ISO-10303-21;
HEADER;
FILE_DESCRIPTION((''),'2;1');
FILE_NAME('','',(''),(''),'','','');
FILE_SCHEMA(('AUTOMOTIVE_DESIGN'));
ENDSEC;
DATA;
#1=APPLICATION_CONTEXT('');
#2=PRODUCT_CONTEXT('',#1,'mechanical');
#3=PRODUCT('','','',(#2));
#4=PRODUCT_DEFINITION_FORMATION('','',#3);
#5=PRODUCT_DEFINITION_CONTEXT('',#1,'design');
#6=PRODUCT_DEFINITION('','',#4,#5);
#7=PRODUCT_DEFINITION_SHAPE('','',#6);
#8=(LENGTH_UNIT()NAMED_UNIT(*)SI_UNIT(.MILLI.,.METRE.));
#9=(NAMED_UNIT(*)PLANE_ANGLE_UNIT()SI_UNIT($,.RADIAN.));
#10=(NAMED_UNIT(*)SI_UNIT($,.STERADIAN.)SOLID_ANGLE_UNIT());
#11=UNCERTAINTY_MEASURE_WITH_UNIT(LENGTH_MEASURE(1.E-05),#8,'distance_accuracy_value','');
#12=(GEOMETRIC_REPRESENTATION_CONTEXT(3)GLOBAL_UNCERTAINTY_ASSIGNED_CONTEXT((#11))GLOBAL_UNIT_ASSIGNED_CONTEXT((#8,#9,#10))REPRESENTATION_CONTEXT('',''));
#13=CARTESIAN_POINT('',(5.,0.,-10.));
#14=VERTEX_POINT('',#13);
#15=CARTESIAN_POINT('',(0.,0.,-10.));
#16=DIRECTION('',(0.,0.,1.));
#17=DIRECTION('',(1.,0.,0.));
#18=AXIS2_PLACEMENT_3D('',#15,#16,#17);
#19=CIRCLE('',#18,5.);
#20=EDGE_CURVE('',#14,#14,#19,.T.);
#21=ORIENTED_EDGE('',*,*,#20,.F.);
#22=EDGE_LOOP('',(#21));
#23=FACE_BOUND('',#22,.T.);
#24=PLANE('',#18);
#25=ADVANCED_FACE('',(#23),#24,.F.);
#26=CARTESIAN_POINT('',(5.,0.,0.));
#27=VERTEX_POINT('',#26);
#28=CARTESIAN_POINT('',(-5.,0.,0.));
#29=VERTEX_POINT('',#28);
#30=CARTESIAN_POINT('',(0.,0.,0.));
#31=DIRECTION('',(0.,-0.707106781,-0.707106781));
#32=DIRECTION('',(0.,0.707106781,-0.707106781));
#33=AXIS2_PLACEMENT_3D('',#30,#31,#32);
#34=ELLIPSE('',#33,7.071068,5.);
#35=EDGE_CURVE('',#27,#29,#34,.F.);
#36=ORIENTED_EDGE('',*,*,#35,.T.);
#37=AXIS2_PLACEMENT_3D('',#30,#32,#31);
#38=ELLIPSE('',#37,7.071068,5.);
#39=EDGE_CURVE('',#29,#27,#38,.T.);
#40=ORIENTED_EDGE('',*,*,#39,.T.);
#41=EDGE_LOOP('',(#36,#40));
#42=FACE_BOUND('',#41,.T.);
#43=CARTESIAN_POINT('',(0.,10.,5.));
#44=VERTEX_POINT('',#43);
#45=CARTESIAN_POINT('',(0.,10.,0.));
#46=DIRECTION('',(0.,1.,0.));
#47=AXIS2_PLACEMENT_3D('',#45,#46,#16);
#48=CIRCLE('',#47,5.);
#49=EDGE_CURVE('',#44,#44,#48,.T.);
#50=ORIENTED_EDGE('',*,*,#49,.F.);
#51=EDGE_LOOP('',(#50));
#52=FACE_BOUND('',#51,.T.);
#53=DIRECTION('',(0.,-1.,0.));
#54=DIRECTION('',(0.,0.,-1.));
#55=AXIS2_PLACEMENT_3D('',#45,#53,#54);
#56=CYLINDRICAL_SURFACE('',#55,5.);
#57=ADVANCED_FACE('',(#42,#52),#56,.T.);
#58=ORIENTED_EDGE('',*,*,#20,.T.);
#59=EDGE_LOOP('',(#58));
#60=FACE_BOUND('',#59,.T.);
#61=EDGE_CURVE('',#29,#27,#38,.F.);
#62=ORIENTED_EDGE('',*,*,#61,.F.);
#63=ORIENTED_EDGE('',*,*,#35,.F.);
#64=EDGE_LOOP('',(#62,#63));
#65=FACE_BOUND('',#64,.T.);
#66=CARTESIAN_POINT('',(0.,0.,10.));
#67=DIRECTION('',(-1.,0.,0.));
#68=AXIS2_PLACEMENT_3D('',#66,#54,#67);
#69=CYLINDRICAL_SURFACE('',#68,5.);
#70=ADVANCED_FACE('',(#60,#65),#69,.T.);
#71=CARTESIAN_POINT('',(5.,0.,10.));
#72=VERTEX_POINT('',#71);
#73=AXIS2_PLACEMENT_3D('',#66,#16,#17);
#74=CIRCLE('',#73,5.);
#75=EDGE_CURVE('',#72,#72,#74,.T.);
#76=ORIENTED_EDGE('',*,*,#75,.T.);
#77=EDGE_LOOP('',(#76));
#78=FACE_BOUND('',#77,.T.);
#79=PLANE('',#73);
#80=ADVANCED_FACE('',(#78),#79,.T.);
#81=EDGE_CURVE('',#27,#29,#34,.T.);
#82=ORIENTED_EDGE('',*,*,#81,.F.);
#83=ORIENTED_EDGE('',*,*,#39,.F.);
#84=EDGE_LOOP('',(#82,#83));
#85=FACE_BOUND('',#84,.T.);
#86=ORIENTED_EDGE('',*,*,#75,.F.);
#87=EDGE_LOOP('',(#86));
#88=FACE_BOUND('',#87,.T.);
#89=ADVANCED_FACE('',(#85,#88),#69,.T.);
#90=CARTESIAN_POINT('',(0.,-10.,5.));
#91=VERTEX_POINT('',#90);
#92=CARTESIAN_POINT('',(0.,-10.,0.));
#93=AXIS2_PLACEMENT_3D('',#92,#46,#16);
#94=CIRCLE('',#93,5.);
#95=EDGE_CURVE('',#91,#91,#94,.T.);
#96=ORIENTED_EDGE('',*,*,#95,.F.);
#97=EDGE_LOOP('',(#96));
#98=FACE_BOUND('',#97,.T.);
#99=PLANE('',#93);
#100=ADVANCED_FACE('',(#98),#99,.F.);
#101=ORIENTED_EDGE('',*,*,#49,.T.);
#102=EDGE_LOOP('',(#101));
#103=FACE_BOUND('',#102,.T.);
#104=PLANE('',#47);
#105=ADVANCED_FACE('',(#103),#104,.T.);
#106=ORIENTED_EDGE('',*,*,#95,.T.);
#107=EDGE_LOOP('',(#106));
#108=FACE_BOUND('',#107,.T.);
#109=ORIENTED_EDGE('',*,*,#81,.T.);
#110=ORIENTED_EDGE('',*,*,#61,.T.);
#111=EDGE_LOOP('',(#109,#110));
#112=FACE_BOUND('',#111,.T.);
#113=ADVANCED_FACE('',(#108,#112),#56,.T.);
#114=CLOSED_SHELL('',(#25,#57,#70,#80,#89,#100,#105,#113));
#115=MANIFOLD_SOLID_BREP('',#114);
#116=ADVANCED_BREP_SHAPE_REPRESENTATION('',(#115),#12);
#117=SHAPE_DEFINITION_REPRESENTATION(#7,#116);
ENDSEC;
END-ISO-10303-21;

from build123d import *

# Parameters (mm, degrees)
SKETCH1_R           = 5
BOSS_EXTRUDE1_DEPTH = 10
SKETCH2_R           = 5
BOSS_EXTRUDE2_DEPTH = 10


with BuildPart() as part:
    # Sketch1 → Boss-Extrude1 (new body, symmetric)
    with BuildSketch(Plane.XY):
        Circle(SKETCH1_R)
    extrude(amount=BOSS_EXTRUDE1_DEPTH, both=True)

    # Sketch2 → Boss-Extrude2 (add, symmetric)
    with BuildSketch(Plane(origin=(0, 0, 0), x_dir=(1, 0, 0), z_dir=(0, 1, 0))):
        Circle(SKETCH2_R)
    extrude(amount=BOSS_EXTRUDE2_DEPTH, both=True)


solid = part.part
